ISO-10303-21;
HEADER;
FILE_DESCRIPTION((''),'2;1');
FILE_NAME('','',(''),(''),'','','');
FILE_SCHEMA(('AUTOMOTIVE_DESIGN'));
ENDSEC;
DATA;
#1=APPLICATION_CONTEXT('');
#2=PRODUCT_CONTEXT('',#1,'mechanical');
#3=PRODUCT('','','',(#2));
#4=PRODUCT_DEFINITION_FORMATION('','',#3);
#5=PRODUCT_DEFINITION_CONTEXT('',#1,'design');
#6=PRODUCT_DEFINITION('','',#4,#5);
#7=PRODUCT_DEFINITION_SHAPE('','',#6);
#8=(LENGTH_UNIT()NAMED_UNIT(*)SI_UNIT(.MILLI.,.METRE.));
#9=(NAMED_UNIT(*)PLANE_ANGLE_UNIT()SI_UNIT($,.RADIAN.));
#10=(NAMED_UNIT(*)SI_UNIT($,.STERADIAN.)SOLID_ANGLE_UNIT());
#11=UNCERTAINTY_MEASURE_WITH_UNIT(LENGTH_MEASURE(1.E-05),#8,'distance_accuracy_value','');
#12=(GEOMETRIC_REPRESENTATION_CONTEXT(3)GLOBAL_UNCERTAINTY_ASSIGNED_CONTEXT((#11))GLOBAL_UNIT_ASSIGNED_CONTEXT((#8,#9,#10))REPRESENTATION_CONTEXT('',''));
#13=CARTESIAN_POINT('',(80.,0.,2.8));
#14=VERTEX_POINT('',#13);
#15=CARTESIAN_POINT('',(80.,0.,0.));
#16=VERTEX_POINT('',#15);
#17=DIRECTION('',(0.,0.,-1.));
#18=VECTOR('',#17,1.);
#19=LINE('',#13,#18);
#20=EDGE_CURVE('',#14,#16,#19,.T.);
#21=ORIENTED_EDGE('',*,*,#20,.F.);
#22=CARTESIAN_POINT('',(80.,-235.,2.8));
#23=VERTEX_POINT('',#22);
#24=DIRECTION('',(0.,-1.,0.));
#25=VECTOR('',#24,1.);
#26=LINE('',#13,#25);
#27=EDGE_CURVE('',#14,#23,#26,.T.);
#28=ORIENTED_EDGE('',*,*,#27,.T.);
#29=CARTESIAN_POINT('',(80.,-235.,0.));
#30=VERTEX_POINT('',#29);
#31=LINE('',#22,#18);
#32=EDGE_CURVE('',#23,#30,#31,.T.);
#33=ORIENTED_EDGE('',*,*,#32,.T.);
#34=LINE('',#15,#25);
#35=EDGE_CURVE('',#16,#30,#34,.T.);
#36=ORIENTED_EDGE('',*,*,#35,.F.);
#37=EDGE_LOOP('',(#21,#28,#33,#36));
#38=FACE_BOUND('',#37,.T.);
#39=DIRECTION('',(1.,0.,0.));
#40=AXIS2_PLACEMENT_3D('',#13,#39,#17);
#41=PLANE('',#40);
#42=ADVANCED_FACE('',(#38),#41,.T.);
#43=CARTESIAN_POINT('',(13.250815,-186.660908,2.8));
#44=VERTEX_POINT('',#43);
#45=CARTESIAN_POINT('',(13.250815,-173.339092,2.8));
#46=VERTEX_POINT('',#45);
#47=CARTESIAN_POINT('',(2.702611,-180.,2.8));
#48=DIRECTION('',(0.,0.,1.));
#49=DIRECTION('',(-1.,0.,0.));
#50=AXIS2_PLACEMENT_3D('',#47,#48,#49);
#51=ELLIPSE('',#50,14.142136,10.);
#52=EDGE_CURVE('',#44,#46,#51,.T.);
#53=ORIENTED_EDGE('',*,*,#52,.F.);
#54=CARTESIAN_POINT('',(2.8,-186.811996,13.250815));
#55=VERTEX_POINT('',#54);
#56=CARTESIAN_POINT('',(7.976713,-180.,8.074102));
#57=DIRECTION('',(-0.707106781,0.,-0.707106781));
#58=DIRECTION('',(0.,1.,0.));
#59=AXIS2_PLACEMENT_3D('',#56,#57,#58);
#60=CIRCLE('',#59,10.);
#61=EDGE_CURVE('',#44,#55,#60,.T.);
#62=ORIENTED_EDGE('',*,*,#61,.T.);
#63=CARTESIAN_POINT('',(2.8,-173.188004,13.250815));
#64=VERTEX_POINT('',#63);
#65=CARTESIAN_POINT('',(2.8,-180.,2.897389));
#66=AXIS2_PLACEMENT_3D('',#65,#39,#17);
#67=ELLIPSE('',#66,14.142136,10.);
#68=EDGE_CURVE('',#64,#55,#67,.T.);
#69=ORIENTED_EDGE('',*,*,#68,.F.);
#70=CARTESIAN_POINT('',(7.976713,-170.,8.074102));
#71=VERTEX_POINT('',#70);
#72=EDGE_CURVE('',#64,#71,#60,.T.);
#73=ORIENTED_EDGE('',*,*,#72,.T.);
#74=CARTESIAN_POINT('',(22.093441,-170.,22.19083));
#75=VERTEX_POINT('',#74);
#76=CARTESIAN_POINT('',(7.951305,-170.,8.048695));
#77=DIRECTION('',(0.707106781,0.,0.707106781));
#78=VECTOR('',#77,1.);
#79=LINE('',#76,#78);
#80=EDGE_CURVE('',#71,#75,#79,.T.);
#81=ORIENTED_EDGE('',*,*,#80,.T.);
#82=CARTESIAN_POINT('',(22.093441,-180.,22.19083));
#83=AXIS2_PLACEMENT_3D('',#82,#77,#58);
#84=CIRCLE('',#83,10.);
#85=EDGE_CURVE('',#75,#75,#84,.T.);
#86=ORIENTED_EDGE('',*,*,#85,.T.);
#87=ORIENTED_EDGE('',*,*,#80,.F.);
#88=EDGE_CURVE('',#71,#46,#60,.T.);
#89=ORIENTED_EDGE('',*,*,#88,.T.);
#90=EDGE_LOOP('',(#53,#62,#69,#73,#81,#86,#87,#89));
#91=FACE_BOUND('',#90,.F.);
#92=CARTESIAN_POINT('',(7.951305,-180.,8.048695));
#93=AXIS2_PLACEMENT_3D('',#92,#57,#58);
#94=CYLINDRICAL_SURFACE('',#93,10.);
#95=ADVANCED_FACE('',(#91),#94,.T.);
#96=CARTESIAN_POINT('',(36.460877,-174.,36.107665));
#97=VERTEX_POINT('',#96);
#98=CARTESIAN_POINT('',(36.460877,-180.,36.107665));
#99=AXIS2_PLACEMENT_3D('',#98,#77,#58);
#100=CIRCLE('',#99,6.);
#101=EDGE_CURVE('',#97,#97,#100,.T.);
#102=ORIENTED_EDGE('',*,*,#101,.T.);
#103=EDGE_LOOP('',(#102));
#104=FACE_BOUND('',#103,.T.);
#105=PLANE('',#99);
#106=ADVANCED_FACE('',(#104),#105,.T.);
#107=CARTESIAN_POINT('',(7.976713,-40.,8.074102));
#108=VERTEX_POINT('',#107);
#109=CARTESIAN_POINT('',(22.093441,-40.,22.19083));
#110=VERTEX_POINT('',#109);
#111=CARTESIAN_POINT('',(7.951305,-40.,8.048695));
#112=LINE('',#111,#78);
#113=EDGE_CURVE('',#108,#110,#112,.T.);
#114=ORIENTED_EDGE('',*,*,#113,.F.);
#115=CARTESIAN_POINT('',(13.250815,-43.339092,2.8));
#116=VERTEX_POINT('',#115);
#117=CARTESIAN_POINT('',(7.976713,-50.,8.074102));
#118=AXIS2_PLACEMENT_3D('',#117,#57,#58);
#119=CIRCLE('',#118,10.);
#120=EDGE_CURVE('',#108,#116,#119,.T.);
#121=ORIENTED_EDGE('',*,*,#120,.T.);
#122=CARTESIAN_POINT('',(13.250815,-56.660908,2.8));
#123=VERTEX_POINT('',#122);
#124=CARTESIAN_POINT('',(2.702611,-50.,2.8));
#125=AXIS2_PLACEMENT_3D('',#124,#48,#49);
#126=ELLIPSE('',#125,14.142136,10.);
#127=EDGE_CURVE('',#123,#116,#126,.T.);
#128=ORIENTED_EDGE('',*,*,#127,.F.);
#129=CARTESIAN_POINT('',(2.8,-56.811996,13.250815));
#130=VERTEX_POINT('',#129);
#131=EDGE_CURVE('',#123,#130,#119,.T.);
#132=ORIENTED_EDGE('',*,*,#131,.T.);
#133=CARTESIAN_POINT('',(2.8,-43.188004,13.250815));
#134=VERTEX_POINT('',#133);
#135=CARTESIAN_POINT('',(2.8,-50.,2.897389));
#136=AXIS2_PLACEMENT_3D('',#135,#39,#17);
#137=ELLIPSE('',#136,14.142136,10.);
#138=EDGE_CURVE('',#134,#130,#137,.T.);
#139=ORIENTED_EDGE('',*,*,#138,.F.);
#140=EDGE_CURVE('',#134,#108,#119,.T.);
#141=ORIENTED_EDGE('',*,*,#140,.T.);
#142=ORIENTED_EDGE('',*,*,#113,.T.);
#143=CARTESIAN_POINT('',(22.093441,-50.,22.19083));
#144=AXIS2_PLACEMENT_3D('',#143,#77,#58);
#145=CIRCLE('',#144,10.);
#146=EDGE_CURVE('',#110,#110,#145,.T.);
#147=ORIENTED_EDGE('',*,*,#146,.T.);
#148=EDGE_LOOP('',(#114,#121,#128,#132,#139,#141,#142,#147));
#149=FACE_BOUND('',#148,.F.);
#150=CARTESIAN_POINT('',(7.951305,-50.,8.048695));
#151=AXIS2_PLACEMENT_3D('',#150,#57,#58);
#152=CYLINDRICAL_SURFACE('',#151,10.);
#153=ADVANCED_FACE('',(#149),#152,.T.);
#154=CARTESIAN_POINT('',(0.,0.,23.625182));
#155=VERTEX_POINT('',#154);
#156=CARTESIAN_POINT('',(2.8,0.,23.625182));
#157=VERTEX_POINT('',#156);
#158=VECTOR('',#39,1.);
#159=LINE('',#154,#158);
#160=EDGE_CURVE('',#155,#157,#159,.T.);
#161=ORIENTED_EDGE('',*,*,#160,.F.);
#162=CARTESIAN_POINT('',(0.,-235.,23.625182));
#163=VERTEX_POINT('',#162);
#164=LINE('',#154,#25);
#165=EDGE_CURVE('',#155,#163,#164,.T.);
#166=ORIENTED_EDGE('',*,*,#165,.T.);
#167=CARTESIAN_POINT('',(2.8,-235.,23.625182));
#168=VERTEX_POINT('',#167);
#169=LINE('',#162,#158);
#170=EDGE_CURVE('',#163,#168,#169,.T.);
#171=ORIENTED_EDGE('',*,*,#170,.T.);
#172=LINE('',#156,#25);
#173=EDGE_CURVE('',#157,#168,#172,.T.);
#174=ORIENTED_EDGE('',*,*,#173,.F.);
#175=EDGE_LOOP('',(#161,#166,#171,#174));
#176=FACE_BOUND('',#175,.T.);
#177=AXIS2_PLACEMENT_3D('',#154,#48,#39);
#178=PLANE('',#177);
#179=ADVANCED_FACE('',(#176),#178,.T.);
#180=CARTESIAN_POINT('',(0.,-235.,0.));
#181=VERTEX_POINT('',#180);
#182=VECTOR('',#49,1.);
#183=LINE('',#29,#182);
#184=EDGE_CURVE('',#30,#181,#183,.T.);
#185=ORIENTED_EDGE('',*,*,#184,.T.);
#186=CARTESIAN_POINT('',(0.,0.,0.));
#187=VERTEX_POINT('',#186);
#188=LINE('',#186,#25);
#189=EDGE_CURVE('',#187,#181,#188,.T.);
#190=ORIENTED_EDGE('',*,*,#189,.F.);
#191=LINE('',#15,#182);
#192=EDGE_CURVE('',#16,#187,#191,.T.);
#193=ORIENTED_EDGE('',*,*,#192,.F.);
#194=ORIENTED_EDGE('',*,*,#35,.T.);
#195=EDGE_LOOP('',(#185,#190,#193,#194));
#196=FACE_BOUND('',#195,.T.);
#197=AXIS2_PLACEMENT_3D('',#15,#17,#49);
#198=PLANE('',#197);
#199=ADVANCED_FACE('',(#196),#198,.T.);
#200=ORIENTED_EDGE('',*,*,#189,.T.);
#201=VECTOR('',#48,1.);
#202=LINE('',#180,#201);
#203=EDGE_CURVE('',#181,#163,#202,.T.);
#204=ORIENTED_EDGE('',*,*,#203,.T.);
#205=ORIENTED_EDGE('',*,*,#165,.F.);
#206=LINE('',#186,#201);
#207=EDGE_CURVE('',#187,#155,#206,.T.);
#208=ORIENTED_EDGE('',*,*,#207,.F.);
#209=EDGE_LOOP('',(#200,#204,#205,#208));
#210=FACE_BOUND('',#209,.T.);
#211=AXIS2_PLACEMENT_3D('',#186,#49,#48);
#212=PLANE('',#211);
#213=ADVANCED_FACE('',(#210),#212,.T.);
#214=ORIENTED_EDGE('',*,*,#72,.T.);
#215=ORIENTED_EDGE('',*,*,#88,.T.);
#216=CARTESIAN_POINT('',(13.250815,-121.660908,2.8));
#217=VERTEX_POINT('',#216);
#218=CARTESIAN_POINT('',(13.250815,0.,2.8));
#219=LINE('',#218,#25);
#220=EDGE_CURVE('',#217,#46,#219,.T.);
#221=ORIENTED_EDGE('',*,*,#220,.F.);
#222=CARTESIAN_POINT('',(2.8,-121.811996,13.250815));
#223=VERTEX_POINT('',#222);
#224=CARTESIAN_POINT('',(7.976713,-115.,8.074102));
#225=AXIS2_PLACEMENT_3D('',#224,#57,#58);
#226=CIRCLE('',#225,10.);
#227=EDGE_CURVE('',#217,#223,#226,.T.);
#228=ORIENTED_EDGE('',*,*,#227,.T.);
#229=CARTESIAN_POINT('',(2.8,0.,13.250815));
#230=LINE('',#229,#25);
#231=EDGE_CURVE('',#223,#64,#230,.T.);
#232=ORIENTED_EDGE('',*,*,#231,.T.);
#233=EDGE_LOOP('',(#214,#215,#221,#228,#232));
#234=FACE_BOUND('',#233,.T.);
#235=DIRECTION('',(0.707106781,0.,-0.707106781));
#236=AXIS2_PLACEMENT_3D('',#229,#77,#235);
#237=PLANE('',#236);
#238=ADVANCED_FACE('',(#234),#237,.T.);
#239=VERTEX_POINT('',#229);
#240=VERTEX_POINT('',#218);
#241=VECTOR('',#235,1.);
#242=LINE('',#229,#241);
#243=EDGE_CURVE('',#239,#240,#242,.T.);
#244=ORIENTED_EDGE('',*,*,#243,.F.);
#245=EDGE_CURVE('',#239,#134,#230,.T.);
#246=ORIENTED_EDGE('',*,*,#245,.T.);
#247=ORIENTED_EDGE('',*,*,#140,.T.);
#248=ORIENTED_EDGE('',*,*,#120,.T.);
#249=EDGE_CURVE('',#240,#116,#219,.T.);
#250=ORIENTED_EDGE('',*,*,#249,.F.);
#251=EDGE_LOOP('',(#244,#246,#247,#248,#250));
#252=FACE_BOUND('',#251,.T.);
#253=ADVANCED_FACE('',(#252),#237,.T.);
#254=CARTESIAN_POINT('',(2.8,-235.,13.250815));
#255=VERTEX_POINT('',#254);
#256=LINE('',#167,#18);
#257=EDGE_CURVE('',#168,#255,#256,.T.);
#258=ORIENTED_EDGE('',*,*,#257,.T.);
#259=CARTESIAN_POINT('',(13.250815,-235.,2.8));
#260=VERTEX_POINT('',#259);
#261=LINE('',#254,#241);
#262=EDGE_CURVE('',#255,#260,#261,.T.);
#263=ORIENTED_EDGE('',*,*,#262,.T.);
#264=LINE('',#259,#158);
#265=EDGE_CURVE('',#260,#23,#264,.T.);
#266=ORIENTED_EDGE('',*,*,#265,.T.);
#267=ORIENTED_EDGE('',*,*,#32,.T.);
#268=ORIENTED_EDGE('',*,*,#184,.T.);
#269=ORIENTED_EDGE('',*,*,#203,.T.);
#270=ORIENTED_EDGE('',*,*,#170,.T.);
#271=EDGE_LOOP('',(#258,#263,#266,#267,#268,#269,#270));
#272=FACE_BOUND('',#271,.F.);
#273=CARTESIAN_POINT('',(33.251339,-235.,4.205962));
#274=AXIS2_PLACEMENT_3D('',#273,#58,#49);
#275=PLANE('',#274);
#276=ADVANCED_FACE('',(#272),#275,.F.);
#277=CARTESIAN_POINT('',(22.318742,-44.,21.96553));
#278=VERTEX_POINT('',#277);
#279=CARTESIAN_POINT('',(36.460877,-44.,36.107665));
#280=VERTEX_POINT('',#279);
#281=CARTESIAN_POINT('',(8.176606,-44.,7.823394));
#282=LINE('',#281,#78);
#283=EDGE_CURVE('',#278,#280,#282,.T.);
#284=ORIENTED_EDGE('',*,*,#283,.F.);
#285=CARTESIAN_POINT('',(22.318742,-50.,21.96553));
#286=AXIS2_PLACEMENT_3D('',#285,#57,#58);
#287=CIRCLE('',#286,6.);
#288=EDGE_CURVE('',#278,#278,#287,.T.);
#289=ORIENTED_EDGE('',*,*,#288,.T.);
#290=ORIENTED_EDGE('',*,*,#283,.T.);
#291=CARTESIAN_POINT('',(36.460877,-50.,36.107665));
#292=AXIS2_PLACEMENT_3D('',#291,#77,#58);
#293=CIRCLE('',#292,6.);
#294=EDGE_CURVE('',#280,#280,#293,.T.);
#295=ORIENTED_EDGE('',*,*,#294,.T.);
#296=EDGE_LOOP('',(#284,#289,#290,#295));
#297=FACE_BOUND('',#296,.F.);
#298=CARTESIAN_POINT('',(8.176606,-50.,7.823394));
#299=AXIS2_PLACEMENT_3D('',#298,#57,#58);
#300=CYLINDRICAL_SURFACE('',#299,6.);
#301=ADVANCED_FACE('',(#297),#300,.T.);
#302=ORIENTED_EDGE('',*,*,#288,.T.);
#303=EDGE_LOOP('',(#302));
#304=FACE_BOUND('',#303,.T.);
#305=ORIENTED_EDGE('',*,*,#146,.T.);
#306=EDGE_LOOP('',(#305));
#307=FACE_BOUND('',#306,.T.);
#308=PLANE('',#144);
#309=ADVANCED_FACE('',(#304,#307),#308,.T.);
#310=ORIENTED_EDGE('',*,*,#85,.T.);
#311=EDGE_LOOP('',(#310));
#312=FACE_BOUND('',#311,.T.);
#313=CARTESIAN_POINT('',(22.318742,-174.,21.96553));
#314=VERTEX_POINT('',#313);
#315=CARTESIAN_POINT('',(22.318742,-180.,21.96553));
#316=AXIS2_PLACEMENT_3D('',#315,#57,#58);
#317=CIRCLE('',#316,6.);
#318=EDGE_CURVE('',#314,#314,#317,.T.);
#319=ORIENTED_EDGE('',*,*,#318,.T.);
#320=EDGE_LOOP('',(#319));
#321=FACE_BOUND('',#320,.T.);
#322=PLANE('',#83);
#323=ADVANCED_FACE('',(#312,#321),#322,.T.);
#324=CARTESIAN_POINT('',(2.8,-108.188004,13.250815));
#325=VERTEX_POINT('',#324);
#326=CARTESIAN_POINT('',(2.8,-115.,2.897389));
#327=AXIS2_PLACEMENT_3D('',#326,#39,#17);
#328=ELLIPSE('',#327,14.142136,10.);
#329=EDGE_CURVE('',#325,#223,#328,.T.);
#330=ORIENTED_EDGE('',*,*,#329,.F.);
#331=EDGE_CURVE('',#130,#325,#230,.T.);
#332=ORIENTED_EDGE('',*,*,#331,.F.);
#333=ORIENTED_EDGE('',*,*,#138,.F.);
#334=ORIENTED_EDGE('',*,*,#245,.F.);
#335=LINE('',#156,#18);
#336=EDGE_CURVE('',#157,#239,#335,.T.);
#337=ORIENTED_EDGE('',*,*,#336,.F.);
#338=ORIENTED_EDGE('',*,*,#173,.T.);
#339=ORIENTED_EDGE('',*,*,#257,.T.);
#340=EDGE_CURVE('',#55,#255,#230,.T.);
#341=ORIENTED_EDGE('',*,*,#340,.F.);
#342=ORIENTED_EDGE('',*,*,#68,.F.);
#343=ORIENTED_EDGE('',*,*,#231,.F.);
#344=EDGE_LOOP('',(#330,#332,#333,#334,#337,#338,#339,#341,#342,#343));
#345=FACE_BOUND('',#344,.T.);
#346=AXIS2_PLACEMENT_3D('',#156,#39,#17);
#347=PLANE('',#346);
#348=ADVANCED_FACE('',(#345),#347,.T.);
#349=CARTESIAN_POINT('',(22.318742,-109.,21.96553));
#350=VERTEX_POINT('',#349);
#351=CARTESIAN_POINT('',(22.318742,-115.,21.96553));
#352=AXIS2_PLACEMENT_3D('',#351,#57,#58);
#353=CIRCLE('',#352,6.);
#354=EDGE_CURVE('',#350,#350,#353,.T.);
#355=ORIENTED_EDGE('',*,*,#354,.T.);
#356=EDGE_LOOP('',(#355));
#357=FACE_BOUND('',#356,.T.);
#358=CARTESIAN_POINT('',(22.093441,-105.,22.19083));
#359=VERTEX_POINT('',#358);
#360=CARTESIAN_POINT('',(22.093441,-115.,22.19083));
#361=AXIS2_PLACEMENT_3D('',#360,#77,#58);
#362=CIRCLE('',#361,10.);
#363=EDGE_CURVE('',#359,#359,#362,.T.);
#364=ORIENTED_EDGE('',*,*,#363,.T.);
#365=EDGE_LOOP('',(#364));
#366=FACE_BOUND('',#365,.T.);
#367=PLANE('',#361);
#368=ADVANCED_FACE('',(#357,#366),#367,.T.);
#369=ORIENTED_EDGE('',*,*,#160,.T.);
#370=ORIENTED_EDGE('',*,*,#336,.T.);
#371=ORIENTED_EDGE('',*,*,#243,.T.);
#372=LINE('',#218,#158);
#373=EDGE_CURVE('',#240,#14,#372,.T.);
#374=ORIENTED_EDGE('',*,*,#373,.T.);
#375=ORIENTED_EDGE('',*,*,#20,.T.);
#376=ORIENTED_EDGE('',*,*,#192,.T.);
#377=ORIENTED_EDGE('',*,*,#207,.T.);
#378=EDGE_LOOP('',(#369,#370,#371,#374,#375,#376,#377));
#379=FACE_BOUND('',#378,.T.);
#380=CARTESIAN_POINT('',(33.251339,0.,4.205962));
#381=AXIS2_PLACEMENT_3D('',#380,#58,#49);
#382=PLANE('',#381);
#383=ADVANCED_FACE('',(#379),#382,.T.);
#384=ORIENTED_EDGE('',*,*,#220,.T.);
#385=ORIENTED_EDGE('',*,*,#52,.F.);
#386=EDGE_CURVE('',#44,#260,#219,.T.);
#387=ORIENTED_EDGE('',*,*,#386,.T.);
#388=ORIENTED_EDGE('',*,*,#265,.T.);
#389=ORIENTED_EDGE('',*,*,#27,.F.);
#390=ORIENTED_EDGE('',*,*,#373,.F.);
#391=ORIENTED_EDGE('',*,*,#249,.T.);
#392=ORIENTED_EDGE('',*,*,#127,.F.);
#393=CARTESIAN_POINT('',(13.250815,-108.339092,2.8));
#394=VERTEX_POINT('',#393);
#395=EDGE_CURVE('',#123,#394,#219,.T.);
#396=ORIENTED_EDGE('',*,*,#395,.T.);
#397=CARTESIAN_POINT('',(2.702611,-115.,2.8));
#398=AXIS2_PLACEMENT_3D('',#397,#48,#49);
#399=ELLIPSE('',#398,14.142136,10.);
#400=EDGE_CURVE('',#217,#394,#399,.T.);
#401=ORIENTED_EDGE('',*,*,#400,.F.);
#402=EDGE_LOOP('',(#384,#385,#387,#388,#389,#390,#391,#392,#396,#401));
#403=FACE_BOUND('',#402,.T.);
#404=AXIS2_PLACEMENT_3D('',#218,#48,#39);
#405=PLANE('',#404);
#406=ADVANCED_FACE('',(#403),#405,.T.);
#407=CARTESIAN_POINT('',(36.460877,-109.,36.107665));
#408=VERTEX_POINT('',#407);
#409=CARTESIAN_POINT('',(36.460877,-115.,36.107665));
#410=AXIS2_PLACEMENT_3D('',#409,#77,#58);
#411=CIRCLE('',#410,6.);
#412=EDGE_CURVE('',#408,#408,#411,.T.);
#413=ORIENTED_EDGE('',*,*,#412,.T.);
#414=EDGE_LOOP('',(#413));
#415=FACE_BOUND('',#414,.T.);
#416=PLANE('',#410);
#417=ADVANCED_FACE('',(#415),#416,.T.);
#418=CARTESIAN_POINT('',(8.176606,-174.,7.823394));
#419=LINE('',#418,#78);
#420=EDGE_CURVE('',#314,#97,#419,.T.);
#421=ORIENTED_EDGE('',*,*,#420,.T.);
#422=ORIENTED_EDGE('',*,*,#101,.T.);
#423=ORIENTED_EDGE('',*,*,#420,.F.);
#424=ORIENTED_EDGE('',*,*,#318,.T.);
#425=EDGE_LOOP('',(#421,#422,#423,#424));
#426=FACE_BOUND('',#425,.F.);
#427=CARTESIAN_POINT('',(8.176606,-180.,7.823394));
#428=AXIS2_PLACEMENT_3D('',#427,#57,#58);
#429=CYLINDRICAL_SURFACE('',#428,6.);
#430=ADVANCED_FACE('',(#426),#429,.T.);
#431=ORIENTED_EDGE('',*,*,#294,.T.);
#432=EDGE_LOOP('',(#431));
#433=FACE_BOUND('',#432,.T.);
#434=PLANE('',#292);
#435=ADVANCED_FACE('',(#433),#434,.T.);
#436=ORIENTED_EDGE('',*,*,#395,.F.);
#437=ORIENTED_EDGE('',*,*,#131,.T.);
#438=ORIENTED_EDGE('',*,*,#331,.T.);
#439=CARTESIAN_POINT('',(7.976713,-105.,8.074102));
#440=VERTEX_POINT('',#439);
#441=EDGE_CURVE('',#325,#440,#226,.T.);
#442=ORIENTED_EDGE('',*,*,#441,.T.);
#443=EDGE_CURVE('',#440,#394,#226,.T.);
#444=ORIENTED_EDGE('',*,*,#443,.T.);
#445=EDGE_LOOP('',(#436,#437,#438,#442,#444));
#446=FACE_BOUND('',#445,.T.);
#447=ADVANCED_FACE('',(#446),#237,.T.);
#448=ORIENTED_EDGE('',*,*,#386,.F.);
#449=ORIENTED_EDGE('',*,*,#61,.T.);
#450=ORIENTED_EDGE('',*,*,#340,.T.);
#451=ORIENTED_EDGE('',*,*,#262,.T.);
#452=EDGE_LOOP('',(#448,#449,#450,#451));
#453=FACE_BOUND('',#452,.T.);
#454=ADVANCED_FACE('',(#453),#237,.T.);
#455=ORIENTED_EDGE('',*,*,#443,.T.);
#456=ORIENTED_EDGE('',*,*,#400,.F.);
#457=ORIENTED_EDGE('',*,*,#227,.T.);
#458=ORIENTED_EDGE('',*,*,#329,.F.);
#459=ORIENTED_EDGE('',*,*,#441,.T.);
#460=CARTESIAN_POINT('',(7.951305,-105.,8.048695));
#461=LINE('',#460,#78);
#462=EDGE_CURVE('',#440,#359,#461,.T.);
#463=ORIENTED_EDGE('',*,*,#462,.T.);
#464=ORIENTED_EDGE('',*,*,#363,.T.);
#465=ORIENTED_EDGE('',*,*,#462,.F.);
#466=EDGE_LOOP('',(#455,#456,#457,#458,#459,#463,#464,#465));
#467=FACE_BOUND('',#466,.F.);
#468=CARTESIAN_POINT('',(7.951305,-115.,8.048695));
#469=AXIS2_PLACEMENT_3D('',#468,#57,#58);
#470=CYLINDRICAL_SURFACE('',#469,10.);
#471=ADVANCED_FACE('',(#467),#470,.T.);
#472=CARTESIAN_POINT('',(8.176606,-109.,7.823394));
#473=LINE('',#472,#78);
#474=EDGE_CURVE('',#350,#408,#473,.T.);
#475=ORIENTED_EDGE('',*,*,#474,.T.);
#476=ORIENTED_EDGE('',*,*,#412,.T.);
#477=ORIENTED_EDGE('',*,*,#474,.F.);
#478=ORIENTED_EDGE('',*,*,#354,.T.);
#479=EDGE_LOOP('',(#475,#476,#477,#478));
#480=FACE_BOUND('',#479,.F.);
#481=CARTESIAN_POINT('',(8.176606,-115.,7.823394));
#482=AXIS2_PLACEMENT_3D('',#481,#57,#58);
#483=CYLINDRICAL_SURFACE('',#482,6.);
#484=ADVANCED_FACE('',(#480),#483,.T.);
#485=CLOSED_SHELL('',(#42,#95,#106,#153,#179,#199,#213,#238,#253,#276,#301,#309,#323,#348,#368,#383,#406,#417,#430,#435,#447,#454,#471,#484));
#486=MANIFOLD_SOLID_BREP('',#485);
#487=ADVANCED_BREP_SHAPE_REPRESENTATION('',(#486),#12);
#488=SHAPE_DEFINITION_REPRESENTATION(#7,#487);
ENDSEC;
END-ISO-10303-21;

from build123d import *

# Parameters (mm, degrees)
PAD_DEPTH           = 235
SKETCH001_R         = 6
PAD001_DEPTH        = 40
SKETCH002_R         = 10
PAD002_DEPTH        = 20
LINEARPATTERN_COUNT = 3
LINEARPATTERN_PITCH = 65


with BuildPart() as part:
    # Sketch → Pad (new body)
    with BuildSketch(Plane.XZ):
        Polygon((0, 23.625182), (2.8, 23.625182), (2.8, 13.250815), (13.250815, 2.8), (80, 2.8), (80, 0), (0, 0), align=None)
    extrude(amount=PAD_DEPTH)

    # Sketch001 (on DatumPlane) → Pad001 (join)
    with BuildSketch(Plane(origin=(16, 0, 0), x_dir=(0, 1, 0), z_dir=(0.707107, 0, 0.707107))):
        with Locations((-50, 11.06395)):
            Circle(SKETCH001_R)
    pad001 = extrude(amount=PAD001_DEPTH)

    # Sketch002 (on DatumPlane) → Pad002 (join)
    with BuildSketch(Plane(origin=(16, 0, 0), x_dir=(0, 1, 0), z_dir=(0.707107, 0, 0.707107))):
        with Locations((-50, 11.382573)):
            Circle(SKETCH002_R)
    pad002 = extrude(amount=PAD002_DEPTH)

    # LinearPattern: Pad001, Pad002 ×3
    with Locations(*[(0, -i * LINEARPATTERN_PITCH, 0) for i in range(1, LINEARPATTERN_COUNT)]):
        add(pad001)
        add(pad002)


solid = part.part
